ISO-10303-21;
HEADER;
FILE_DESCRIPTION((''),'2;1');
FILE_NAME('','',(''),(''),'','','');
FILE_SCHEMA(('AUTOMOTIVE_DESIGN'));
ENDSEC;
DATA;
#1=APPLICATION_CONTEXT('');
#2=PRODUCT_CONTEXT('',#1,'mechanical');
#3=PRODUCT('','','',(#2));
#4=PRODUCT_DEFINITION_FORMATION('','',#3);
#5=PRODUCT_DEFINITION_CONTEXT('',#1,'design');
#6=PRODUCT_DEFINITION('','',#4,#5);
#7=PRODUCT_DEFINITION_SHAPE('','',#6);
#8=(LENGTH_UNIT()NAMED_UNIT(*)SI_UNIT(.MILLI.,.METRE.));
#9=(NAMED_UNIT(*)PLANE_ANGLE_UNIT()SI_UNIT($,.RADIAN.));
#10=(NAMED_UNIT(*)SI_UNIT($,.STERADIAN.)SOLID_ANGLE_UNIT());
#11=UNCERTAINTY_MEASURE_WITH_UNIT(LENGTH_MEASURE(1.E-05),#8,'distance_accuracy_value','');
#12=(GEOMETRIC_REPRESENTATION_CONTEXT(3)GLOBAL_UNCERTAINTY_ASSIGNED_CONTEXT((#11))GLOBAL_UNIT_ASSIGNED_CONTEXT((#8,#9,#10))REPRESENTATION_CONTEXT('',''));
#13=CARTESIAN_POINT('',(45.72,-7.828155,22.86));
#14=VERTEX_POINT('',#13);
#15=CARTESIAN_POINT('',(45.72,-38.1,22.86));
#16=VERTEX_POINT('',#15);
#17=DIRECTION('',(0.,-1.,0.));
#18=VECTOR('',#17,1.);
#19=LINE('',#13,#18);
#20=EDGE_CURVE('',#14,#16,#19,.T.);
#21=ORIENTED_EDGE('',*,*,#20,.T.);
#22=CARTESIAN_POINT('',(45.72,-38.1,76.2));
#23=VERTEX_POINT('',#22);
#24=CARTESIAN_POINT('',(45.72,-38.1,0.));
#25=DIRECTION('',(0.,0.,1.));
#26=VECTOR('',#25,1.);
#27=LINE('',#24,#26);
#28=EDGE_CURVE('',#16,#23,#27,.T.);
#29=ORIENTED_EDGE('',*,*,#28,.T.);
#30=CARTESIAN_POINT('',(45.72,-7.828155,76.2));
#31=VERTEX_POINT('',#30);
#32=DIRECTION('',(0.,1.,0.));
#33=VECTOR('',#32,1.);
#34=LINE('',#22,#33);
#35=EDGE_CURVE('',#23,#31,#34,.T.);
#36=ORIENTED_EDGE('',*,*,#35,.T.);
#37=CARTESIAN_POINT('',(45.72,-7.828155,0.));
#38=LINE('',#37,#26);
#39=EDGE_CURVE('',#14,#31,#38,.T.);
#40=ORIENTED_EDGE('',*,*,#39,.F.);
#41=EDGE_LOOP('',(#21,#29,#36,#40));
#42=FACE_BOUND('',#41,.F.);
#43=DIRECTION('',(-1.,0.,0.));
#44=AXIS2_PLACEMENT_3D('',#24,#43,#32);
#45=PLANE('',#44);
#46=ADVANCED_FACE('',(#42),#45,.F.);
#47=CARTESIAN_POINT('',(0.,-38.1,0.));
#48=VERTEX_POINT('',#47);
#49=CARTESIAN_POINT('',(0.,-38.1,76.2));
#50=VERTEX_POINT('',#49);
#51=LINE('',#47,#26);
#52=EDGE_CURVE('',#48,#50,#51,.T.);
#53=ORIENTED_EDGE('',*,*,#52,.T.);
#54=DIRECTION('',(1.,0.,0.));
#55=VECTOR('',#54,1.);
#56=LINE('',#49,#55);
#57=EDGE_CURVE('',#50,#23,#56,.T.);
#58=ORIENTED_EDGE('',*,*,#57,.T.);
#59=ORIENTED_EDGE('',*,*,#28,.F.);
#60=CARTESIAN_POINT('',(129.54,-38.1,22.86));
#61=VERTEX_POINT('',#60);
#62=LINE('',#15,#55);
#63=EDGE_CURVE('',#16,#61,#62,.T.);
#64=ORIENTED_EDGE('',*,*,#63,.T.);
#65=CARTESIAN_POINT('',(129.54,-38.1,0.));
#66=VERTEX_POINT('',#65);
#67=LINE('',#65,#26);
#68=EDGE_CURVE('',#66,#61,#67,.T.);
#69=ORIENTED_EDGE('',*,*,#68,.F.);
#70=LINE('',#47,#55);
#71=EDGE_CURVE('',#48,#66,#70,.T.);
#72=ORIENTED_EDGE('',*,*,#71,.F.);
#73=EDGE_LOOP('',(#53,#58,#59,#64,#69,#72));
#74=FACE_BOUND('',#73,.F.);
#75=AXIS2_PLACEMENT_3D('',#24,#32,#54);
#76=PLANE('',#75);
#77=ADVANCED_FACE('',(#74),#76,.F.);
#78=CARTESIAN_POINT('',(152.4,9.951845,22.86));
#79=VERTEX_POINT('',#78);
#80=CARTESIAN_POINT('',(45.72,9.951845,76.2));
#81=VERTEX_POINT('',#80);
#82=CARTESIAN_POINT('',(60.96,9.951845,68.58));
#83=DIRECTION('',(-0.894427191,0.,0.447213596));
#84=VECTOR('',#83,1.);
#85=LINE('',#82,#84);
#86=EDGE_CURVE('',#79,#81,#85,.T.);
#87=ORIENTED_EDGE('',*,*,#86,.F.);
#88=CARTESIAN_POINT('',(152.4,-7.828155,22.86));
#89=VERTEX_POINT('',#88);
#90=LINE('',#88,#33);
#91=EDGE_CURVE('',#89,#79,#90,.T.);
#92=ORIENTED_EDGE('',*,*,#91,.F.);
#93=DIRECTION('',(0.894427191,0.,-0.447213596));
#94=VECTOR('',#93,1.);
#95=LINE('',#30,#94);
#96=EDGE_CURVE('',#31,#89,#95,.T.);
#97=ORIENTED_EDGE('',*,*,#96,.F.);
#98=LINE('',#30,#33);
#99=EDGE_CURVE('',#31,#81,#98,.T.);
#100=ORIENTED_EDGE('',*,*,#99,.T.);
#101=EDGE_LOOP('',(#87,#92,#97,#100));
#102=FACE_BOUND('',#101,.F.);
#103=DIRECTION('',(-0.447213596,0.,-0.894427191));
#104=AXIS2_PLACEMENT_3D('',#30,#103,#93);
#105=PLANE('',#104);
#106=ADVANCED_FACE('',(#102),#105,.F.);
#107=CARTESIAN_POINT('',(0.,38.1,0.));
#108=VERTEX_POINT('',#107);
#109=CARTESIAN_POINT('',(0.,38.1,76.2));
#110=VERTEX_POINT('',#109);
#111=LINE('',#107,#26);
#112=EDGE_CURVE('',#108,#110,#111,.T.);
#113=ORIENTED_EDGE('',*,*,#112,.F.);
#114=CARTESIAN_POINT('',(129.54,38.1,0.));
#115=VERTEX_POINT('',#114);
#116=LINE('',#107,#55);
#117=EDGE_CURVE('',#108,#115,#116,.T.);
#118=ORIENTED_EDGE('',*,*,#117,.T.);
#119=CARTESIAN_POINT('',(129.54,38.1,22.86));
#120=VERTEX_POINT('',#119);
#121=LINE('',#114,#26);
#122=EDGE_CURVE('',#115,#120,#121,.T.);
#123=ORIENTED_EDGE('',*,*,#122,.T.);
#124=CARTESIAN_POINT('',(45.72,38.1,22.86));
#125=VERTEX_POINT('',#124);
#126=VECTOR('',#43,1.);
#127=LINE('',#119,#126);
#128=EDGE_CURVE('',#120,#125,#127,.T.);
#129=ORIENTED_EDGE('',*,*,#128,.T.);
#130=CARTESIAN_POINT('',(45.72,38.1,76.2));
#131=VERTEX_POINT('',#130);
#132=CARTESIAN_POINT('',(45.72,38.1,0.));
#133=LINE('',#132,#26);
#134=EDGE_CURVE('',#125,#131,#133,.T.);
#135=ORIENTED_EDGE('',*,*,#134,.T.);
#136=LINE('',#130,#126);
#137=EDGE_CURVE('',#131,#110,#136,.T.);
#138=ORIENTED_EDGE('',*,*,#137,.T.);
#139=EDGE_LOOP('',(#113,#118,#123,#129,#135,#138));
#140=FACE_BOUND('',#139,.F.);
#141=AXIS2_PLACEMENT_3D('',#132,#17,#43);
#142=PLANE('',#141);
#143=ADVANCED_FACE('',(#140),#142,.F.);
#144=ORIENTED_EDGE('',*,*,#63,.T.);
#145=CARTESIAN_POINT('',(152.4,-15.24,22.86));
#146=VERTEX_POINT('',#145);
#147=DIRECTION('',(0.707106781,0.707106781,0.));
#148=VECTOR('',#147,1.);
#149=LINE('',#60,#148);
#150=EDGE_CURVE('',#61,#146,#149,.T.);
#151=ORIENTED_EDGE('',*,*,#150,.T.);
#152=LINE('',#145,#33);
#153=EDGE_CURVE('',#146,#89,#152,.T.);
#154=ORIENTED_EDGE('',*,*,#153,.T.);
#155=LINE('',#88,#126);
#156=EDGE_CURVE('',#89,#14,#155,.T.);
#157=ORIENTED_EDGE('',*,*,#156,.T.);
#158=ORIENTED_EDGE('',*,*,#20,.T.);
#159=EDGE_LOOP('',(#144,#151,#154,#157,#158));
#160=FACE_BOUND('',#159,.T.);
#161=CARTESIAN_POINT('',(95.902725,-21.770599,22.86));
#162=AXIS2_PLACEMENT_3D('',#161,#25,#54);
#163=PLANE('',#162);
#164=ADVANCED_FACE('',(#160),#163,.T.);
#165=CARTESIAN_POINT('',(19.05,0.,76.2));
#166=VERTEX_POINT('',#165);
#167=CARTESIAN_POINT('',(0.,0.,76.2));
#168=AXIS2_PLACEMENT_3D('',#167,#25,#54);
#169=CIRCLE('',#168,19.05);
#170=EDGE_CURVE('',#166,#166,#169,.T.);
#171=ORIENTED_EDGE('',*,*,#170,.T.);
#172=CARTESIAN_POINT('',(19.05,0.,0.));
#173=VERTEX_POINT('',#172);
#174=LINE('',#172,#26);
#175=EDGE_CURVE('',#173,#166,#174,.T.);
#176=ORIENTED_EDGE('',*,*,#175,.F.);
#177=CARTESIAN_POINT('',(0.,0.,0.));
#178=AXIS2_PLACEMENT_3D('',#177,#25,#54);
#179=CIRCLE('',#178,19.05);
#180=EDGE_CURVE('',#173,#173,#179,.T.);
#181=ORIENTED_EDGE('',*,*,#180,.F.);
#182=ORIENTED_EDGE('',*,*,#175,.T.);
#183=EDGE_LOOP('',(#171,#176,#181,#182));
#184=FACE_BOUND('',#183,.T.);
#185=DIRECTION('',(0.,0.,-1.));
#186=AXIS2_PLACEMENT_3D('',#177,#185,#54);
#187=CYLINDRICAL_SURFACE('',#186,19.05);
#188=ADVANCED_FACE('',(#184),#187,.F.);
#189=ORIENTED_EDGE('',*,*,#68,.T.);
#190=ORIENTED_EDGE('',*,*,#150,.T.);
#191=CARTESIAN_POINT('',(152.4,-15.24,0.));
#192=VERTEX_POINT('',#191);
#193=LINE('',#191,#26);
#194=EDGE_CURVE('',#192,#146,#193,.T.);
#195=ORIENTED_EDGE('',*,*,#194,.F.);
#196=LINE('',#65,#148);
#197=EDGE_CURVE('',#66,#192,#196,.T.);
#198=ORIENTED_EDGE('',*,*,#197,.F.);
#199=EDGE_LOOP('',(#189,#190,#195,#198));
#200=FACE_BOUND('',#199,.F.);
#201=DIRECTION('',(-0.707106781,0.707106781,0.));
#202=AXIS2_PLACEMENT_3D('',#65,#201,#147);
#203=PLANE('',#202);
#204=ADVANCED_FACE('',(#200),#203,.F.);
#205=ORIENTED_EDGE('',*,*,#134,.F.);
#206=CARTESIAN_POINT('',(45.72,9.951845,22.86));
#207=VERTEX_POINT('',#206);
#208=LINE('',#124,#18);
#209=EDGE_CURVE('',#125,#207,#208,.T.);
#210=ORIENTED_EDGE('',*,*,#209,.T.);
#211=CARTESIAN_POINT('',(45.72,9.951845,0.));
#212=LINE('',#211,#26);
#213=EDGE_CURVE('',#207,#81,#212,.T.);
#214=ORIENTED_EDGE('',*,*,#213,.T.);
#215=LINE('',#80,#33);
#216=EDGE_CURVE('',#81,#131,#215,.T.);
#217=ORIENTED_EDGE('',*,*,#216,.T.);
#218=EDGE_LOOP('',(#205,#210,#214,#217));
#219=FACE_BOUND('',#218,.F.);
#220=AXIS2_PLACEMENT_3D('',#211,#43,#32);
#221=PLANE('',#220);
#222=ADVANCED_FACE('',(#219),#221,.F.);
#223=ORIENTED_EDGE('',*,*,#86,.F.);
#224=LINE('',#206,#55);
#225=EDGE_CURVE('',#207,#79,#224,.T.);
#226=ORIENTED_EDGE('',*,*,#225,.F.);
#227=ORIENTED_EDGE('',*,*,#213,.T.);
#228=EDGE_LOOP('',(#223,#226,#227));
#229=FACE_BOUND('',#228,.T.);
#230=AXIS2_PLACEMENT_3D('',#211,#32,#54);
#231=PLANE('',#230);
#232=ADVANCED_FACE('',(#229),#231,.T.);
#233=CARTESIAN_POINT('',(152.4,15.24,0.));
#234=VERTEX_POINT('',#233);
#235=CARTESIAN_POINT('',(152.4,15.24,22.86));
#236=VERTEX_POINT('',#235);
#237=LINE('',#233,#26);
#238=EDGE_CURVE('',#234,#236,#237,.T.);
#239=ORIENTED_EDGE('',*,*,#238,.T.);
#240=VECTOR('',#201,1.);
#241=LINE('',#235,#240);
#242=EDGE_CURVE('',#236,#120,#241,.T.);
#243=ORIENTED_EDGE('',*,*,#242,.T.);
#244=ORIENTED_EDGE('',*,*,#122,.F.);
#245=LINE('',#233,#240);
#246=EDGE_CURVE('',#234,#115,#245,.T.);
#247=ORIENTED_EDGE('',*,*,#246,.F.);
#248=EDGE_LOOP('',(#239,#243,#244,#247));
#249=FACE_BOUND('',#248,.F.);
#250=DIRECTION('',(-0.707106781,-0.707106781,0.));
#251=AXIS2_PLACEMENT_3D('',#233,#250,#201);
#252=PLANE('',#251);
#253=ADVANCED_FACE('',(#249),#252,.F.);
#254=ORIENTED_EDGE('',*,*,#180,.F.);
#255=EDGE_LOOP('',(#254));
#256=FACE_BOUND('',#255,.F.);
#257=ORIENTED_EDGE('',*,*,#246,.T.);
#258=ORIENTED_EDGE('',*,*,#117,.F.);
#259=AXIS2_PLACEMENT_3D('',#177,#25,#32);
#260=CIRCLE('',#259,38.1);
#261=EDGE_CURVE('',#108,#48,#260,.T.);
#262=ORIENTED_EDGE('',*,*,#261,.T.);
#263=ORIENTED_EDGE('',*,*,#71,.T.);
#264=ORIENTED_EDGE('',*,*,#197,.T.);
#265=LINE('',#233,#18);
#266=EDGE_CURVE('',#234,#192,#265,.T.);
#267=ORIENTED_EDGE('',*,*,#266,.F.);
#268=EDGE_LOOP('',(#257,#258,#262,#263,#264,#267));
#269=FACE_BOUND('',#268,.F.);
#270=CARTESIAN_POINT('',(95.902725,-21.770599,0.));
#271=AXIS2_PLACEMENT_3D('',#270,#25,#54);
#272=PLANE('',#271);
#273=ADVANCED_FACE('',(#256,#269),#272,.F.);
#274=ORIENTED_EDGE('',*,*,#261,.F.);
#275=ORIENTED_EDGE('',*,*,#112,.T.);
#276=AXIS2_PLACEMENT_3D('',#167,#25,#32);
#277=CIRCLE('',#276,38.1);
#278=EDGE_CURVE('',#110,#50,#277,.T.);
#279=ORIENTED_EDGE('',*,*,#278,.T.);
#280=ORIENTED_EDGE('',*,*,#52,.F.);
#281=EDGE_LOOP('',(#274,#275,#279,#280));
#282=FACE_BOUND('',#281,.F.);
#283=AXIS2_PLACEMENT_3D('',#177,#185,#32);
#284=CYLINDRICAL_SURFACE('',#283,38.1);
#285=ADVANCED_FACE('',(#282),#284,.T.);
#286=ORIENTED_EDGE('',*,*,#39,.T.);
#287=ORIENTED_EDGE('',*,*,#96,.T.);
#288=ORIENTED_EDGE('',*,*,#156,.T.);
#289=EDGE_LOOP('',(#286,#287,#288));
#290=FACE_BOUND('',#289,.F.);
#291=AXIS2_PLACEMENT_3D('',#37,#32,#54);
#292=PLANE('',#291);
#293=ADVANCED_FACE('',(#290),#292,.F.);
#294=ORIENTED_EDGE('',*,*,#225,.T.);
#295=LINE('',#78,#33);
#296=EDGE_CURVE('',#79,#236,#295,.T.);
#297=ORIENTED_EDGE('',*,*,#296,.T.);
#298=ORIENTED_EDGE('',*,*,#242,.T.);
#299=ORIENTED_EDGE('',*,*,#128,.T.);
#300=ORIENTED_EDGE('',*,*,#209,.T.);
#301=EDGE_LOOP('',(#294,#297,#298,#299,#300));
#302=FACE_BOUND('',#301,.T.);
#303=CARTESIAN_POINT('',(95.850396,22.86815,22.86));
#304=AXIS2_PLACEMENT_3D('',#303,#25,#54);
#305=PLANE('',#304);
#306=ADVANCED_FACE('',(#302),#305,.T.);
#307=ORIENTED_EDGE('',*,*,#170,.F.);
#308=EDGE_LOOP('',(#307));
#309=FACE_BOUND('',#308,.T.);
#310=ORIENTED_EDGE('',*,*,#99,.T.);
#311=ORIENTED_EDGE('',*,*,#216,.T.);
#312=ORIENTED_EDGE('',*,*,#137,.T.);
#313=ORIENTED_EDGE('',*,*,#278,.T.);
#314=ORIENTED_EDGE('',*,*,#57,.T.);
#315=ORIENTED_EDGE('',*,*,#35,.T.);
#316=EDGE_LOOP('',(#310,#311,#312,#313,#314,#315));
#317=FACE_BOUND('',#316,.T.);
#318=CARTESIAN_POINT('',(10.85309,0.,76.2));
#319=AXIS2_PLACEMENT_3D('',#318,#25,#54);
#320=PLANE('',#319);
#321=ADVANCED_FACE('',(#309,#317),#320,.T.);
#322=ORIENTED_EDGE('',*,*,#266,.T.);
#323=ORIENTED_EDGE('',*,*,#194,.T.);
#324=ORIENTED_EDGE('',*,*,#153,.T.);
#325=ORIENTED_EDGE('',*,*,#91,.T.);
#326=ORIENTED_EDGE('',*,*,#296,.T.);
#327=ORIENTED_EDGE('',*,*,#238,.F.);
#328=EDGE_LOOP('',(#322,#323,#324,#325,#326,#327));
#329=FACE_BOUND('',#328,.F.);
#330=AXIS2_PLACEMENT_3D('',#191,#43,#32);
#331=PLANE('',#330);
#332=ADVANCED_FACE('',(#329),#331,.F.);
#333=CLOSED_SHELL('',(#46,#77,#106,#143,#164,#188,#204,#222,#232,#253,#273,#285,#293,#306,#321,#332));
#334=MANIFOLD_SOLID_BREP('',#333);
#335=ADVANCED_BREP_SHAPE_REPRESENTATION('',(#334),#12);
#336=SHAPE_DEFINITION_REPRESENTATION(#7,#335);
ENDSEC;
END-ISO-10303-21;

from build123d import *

# Parameters (mm, degrees)
F0_R     = 19.05
F0_W     = 106.68
F0_H     = 17.78
F1_DEPTH = 76.2
F2_DEPTH = 22.86
F4_DEPTH = 25.4


with BuildPart() as f1:
    # F0 (on Top) → F1 (new body)
    with BuildSketch(Plane.XY):
        with BuildLine():
            Line((45.72, 38.1), (0, 38.1))
            ThreePointArc((0, 38.1), (-38.1, 0), (0, -38.1))
            Line((0, -38.1), (45.72, -38.1))
            Line((45.72, -38.1), (45.72, -7.828155))
            Line((45.72, -7.828155), (45.72, 9.951845))
            Line((45.72, 9.951845), (45.72, 38.1))
        make_face()
        Circle(F0_R, mode=Mode.SUBTRACT)
        with Locations((99.06, 1.061845)):
            Rectangle(F0_W, F0_H)
    extrude(amount=F1_DEPTH)

    # F0 (on Top) → F2 (join)
    with BuildSketch(Plane.XY):
        Polygon((45.72, -7.828155), (45.72, -38.1), (129.54, -38.1), (152.4, -15.24), (152.4, -7.828155), align=None)
        Polygon((129.54, 38.1), (45.72, 38.1), (45.72, 9.951845), (152.4, 9.951845), (152.4, 15.24), align=None)
    extrude(amount=F2_DEPTH)

    # F3 (on face) → F4 (cut)
    with BuildSketch(Plane.XZ.offset(7.828155)):
        Polygon((152.4, 76.2), (45.72, 76.2), (152.4, 22.86), align=None)
    extrude(amount=-F4_DEPTH, mode=Mode.SUBTRACT)


solid = f1.part
